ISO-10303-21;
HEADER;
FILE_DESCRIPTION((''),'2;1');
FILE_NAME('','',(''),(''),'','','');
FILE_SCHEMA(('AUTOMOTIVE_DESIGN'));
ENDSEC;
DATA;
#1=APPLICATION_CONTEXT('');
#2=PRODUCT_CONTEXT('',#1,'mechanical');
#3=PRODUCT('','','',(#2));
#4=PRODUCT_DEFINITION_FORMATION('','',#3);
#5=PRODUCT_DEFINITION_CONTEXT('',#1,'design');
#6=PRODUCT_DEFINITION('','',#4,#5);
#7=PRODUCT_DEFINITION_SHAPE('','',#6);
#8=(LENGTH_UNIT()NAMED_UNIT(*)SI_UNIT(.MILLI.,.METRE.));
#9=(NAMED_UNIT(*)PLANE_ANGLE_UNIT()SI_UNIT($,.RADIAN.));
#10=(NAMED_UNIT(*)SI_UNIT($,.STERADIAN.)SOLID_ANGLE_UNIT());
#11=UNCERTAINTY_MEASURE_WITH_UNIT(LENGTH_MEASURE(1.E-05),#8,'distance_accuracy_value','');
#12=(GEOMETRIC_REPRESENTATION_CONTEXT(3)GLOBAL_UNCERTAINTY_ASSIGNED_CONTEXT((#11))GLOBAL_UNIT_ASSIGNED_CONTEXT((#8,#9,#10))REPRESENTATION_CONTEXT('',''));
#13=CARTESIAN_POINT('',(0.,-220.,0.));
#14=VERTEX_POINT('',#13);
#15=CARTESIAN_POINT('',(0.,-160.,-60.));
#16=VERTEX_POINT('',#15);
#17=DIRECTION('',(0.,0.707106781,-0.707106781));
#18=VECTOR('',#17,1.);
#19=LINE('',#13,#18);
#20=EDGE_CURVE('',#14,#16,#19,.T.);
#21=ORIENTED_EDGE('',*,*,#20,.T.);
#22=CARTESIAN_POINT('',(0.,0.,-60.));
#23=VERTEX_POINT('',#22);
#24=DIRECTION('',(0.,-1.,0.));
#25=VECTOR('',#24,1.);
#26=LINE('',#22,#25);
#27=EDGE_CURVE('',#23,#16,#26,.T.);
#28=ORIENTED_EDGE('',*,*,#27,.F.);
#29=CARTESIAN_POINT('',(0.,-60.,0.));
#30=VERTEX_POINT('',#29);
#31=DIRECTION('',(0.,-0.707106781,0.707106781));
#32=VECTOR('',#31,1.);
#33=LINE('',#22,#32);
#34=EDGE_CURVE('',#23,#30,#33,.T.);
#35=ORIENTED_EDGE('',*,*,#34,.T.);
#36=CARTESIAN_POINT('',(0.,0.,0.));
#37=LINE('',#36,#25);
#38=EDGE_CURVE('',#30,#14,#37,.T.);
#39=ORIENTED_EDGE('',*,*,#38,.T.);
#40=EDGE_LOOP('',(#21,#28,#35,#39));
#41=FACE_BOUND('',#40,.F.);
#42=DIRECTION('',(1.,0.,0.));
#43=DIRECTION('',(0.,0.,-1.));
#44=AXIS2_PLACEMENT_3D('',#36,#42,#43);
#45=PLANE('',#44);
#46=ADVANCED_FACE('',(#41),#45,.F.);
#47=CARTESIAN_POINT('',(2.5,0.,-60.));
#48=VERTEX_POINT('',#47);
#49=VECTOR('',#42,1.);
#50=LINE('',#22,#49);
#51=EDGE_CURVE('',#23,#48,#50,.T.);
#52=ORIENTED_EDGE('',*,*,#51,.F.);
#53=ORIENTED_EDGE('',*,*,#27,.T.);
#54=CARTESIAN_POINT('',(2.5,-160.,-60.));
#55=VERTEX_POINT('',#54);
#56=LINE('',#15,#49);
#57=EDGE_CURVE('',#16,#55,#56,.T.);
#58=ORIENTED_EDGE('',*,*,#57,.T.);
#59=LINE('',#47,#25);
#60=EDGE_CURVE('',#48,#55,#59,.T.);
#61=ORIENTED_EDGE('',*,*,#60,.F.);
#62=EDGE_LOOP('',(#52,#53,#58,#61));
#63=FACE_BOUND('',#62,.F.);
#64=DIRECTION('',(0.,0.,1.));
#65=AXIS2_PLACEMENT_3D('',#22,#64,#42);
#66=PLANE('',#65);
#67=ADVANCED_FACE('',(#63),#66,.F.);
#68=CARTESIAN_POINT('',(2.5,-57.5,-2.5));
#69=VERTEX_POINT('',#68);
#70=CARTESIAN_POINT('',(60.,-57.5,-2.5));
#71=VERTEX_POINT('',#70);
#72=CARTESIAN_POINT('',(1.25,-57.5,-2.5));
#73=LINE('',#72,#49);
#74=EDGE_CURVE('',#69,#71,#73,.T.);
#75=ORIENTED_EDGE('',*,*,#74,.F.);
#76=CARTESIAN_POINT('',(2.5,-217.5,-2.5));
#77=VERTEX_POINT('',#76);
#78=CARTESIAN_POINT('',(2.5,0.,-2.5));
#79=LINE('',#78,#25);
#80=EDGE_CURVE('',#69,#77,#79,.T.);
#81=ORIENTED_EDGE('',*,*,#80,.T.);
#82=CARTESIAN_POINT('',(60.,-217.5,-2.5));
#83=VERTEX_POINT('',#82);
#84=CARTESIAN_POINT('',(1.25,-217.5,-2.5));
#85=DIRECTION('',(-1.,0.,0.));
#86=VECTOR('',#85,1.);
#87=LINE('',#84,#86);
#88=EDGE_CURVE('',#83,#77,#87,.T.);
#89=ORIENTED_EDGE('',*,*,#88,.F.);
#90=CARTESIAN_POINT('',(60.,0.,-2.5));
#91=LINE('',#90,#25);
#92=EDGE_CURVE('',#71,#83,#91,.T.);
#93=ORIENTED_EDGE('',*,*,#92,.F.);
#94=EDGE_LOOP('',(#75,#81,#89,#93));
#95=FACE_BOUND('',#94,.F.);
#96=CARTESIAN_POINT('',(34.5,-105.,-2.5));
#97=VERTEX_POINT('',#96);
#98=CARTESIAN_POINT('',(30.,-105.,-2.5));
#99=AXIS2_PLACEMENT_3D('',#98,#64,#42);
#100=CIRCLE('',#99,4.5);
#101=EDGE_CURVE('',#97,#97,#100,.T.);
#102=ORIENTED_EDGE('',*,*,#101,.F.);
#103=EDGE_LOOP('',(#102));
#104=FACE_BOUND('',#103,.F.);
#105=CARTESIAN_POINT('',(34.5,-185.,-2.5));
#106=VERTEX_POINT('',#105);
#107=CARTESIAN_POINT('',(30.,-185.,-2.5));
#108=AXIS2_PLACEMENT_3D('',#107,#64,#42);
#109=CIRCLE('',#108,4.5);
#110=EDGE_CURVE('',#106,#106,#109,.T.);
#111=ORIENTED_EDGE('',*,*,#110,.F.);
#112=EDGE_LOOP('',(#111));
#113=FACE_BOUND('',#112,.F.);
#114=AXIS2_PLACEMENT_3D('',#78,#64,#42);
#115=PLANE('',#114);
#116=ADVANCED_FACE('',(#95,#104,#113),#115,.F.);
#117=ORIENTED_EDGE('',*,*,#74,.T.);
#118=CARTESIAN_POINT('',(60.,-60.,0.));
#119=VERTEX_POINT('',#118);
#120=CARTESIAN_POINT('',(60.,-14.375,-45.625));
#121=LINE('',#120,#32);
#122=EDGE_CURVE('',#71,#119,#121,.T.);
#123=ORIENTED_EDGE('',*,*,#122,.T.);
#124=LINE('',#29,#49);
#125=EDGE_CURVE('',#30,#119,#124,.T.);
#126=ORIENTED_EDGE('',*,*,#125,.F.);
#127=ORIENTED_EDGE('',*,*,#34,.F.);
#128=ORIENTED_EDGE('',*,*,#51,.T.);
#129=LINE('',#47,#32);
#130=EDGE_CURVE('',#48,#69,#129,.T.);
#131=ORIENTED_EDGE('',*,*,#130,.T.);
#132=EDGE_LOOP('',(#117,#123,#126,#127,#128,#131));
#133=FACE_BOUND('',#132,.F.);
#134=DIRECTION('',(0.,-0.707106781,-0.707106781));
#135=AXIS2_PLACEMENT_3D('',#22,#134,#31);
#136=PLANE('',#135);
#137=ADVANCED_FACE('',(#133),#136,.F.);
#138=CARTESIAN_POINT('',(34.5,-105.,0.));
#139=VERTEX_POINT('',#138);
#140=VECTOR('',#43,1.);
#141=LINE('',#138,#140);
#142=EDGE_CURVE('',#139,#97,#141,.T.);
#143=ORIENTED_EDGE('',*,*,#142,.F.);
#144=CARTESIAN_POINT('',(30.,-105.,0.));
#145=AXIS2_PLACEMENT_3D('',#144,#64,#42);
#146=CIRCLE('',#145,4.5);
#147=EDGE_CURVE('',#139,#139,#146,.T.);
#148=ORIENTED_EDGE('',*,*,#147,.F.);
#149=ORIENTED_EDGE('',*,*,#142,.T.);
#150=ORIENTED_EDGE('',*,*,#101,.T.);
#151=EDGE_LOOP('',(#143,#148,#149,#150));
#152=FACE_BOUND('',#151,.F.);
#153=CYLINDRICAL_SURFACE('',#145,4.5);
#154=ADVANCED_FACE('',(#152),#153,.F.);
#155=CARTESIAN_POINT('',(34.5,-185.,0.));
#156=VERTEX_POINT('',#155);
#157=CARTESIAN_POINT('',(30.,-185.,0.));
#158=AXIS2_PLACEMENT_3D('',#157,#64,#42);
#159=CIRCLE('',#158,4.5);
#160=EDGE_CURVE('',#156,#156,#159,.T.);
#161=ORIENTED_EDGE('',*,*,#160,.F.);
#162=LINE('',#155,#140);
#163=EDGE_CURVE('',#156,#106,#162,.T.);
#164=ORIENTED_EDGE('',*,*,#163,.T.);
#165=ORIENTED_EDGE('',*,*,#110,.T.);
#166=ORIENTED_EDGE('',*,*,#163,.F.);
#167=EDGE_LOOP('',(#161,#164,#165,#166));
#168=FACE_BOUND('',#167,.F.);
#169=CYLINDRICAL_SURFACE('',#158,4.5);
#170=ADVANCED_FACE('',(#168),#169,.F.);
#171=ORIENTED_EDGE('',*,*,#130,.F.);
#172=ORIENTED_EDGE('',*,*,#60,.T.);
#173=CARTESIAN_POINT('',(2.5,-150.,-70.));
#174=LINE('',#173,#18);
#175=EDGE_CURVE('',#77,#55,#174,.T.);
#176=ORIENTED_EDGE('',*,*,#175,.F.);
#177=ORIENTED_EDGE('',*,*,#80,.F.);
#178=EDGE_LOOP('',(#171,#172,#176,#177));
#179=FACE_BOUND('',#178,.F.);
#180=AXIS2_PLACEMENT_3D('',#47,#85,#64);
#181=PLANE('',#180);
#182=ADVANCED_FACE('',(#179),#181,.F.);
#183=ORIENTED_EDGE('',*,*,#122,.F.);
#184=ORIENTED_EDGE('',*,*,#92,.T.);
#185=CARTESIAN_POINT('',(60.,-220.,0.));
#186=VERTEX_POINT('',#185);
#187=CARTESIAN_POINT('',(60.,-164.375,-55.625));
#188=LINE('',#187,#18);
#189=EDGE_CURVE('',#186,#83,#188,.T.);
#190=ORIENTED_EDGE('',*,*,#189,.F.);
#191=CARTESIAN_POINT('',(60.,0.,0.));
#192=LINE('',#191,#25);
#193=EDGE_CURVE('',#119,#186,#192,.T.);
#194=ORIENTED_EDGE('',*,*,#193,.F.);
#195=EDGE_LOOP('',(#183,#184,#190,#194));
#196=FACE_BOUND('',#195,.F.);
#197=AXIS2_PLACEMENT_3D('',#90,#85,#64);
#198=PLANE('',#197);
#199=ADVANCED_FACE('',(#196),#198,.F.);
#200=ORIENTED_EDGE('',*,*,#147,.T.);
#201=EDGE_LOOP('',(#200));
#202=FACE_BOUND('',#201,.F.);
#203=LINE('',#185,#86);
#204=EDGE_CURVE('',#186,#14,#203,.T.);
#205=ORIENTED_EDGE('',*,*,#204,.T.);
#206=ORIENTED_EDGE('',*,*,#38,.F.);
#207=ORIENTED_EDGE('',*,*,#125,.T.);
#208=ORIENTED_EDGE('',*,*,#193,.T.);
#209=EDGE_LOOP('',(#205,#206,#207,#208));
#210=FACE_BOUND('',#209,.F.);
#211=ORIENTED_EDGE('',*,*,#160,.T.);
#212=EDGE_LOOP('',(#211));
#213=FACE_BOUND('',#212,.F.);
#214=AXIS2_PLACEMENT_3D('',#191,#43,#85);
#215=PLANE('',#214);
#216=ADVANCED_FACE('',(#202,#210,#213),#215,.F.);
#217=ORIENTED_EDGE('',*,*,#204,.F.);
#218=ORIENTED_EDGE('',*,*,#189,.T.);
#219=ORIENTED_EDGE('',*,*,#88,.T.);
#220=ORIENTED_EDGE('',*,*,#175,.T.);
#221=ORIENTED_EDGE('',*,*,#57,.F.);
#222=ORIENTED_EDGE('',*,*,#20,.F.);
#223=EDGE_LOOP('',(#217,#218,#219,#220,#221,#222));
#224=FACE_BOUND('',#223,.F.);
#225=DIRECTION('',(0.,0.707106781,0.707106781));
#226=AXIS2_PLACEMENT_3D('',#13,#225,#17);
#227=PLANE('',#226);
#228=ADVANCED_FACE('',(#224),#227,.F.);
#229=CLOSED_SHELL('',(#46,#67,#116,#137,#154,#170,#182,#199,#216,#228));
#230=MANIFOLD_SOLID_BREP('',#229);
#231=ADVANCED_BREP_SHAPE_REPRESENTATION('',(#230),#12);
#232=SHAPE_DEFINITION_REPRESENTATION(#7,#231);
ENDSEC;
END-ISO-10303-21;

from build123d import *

# Parameters (mm, degrees)
F1_DEPTH = 220
F3_DEPTH = 60.001
F4_R     = 4.5
F5_DEPTH = 60.001


with BuildPart() as f1:
    # F0 (on Front) → F1 (new body)
    with BuildSketch(Plane.XZ):
        Polygon((60, 0), (0, 0), (0, -60), (2.5, -60), (2.5, -2.5), (60, -2.5), align=None)
    extrude(amount=F1_DEPTH)

    # F2 (on face) → F3 (cut, through all)
    with BuildSketch(Plane(origin=(0, 0, 0), x_dir=(0, -1, 0), z_dir=(-1, 0, 0))):
        Polygon((0, 0), (0, -60), (60, 0), align=None)
        Polygon((220, -60), (220, 0), (160, -60), align=None)
    extrude(amount=-F3_DEPTH, mode=Mode.SUBTRACT)

    # F4 (on face) → F5 (cut, through all)
    with BuildSketch(Plane.XY):
        with Locations((30, -105)):
            Circle(F4_R)
        with Locations((30, -185)):
            Circle(F4_R)
    extrude(amount=-F5_DEPTH, mode=Mode.SUBTRACT)


solid = f1.part
